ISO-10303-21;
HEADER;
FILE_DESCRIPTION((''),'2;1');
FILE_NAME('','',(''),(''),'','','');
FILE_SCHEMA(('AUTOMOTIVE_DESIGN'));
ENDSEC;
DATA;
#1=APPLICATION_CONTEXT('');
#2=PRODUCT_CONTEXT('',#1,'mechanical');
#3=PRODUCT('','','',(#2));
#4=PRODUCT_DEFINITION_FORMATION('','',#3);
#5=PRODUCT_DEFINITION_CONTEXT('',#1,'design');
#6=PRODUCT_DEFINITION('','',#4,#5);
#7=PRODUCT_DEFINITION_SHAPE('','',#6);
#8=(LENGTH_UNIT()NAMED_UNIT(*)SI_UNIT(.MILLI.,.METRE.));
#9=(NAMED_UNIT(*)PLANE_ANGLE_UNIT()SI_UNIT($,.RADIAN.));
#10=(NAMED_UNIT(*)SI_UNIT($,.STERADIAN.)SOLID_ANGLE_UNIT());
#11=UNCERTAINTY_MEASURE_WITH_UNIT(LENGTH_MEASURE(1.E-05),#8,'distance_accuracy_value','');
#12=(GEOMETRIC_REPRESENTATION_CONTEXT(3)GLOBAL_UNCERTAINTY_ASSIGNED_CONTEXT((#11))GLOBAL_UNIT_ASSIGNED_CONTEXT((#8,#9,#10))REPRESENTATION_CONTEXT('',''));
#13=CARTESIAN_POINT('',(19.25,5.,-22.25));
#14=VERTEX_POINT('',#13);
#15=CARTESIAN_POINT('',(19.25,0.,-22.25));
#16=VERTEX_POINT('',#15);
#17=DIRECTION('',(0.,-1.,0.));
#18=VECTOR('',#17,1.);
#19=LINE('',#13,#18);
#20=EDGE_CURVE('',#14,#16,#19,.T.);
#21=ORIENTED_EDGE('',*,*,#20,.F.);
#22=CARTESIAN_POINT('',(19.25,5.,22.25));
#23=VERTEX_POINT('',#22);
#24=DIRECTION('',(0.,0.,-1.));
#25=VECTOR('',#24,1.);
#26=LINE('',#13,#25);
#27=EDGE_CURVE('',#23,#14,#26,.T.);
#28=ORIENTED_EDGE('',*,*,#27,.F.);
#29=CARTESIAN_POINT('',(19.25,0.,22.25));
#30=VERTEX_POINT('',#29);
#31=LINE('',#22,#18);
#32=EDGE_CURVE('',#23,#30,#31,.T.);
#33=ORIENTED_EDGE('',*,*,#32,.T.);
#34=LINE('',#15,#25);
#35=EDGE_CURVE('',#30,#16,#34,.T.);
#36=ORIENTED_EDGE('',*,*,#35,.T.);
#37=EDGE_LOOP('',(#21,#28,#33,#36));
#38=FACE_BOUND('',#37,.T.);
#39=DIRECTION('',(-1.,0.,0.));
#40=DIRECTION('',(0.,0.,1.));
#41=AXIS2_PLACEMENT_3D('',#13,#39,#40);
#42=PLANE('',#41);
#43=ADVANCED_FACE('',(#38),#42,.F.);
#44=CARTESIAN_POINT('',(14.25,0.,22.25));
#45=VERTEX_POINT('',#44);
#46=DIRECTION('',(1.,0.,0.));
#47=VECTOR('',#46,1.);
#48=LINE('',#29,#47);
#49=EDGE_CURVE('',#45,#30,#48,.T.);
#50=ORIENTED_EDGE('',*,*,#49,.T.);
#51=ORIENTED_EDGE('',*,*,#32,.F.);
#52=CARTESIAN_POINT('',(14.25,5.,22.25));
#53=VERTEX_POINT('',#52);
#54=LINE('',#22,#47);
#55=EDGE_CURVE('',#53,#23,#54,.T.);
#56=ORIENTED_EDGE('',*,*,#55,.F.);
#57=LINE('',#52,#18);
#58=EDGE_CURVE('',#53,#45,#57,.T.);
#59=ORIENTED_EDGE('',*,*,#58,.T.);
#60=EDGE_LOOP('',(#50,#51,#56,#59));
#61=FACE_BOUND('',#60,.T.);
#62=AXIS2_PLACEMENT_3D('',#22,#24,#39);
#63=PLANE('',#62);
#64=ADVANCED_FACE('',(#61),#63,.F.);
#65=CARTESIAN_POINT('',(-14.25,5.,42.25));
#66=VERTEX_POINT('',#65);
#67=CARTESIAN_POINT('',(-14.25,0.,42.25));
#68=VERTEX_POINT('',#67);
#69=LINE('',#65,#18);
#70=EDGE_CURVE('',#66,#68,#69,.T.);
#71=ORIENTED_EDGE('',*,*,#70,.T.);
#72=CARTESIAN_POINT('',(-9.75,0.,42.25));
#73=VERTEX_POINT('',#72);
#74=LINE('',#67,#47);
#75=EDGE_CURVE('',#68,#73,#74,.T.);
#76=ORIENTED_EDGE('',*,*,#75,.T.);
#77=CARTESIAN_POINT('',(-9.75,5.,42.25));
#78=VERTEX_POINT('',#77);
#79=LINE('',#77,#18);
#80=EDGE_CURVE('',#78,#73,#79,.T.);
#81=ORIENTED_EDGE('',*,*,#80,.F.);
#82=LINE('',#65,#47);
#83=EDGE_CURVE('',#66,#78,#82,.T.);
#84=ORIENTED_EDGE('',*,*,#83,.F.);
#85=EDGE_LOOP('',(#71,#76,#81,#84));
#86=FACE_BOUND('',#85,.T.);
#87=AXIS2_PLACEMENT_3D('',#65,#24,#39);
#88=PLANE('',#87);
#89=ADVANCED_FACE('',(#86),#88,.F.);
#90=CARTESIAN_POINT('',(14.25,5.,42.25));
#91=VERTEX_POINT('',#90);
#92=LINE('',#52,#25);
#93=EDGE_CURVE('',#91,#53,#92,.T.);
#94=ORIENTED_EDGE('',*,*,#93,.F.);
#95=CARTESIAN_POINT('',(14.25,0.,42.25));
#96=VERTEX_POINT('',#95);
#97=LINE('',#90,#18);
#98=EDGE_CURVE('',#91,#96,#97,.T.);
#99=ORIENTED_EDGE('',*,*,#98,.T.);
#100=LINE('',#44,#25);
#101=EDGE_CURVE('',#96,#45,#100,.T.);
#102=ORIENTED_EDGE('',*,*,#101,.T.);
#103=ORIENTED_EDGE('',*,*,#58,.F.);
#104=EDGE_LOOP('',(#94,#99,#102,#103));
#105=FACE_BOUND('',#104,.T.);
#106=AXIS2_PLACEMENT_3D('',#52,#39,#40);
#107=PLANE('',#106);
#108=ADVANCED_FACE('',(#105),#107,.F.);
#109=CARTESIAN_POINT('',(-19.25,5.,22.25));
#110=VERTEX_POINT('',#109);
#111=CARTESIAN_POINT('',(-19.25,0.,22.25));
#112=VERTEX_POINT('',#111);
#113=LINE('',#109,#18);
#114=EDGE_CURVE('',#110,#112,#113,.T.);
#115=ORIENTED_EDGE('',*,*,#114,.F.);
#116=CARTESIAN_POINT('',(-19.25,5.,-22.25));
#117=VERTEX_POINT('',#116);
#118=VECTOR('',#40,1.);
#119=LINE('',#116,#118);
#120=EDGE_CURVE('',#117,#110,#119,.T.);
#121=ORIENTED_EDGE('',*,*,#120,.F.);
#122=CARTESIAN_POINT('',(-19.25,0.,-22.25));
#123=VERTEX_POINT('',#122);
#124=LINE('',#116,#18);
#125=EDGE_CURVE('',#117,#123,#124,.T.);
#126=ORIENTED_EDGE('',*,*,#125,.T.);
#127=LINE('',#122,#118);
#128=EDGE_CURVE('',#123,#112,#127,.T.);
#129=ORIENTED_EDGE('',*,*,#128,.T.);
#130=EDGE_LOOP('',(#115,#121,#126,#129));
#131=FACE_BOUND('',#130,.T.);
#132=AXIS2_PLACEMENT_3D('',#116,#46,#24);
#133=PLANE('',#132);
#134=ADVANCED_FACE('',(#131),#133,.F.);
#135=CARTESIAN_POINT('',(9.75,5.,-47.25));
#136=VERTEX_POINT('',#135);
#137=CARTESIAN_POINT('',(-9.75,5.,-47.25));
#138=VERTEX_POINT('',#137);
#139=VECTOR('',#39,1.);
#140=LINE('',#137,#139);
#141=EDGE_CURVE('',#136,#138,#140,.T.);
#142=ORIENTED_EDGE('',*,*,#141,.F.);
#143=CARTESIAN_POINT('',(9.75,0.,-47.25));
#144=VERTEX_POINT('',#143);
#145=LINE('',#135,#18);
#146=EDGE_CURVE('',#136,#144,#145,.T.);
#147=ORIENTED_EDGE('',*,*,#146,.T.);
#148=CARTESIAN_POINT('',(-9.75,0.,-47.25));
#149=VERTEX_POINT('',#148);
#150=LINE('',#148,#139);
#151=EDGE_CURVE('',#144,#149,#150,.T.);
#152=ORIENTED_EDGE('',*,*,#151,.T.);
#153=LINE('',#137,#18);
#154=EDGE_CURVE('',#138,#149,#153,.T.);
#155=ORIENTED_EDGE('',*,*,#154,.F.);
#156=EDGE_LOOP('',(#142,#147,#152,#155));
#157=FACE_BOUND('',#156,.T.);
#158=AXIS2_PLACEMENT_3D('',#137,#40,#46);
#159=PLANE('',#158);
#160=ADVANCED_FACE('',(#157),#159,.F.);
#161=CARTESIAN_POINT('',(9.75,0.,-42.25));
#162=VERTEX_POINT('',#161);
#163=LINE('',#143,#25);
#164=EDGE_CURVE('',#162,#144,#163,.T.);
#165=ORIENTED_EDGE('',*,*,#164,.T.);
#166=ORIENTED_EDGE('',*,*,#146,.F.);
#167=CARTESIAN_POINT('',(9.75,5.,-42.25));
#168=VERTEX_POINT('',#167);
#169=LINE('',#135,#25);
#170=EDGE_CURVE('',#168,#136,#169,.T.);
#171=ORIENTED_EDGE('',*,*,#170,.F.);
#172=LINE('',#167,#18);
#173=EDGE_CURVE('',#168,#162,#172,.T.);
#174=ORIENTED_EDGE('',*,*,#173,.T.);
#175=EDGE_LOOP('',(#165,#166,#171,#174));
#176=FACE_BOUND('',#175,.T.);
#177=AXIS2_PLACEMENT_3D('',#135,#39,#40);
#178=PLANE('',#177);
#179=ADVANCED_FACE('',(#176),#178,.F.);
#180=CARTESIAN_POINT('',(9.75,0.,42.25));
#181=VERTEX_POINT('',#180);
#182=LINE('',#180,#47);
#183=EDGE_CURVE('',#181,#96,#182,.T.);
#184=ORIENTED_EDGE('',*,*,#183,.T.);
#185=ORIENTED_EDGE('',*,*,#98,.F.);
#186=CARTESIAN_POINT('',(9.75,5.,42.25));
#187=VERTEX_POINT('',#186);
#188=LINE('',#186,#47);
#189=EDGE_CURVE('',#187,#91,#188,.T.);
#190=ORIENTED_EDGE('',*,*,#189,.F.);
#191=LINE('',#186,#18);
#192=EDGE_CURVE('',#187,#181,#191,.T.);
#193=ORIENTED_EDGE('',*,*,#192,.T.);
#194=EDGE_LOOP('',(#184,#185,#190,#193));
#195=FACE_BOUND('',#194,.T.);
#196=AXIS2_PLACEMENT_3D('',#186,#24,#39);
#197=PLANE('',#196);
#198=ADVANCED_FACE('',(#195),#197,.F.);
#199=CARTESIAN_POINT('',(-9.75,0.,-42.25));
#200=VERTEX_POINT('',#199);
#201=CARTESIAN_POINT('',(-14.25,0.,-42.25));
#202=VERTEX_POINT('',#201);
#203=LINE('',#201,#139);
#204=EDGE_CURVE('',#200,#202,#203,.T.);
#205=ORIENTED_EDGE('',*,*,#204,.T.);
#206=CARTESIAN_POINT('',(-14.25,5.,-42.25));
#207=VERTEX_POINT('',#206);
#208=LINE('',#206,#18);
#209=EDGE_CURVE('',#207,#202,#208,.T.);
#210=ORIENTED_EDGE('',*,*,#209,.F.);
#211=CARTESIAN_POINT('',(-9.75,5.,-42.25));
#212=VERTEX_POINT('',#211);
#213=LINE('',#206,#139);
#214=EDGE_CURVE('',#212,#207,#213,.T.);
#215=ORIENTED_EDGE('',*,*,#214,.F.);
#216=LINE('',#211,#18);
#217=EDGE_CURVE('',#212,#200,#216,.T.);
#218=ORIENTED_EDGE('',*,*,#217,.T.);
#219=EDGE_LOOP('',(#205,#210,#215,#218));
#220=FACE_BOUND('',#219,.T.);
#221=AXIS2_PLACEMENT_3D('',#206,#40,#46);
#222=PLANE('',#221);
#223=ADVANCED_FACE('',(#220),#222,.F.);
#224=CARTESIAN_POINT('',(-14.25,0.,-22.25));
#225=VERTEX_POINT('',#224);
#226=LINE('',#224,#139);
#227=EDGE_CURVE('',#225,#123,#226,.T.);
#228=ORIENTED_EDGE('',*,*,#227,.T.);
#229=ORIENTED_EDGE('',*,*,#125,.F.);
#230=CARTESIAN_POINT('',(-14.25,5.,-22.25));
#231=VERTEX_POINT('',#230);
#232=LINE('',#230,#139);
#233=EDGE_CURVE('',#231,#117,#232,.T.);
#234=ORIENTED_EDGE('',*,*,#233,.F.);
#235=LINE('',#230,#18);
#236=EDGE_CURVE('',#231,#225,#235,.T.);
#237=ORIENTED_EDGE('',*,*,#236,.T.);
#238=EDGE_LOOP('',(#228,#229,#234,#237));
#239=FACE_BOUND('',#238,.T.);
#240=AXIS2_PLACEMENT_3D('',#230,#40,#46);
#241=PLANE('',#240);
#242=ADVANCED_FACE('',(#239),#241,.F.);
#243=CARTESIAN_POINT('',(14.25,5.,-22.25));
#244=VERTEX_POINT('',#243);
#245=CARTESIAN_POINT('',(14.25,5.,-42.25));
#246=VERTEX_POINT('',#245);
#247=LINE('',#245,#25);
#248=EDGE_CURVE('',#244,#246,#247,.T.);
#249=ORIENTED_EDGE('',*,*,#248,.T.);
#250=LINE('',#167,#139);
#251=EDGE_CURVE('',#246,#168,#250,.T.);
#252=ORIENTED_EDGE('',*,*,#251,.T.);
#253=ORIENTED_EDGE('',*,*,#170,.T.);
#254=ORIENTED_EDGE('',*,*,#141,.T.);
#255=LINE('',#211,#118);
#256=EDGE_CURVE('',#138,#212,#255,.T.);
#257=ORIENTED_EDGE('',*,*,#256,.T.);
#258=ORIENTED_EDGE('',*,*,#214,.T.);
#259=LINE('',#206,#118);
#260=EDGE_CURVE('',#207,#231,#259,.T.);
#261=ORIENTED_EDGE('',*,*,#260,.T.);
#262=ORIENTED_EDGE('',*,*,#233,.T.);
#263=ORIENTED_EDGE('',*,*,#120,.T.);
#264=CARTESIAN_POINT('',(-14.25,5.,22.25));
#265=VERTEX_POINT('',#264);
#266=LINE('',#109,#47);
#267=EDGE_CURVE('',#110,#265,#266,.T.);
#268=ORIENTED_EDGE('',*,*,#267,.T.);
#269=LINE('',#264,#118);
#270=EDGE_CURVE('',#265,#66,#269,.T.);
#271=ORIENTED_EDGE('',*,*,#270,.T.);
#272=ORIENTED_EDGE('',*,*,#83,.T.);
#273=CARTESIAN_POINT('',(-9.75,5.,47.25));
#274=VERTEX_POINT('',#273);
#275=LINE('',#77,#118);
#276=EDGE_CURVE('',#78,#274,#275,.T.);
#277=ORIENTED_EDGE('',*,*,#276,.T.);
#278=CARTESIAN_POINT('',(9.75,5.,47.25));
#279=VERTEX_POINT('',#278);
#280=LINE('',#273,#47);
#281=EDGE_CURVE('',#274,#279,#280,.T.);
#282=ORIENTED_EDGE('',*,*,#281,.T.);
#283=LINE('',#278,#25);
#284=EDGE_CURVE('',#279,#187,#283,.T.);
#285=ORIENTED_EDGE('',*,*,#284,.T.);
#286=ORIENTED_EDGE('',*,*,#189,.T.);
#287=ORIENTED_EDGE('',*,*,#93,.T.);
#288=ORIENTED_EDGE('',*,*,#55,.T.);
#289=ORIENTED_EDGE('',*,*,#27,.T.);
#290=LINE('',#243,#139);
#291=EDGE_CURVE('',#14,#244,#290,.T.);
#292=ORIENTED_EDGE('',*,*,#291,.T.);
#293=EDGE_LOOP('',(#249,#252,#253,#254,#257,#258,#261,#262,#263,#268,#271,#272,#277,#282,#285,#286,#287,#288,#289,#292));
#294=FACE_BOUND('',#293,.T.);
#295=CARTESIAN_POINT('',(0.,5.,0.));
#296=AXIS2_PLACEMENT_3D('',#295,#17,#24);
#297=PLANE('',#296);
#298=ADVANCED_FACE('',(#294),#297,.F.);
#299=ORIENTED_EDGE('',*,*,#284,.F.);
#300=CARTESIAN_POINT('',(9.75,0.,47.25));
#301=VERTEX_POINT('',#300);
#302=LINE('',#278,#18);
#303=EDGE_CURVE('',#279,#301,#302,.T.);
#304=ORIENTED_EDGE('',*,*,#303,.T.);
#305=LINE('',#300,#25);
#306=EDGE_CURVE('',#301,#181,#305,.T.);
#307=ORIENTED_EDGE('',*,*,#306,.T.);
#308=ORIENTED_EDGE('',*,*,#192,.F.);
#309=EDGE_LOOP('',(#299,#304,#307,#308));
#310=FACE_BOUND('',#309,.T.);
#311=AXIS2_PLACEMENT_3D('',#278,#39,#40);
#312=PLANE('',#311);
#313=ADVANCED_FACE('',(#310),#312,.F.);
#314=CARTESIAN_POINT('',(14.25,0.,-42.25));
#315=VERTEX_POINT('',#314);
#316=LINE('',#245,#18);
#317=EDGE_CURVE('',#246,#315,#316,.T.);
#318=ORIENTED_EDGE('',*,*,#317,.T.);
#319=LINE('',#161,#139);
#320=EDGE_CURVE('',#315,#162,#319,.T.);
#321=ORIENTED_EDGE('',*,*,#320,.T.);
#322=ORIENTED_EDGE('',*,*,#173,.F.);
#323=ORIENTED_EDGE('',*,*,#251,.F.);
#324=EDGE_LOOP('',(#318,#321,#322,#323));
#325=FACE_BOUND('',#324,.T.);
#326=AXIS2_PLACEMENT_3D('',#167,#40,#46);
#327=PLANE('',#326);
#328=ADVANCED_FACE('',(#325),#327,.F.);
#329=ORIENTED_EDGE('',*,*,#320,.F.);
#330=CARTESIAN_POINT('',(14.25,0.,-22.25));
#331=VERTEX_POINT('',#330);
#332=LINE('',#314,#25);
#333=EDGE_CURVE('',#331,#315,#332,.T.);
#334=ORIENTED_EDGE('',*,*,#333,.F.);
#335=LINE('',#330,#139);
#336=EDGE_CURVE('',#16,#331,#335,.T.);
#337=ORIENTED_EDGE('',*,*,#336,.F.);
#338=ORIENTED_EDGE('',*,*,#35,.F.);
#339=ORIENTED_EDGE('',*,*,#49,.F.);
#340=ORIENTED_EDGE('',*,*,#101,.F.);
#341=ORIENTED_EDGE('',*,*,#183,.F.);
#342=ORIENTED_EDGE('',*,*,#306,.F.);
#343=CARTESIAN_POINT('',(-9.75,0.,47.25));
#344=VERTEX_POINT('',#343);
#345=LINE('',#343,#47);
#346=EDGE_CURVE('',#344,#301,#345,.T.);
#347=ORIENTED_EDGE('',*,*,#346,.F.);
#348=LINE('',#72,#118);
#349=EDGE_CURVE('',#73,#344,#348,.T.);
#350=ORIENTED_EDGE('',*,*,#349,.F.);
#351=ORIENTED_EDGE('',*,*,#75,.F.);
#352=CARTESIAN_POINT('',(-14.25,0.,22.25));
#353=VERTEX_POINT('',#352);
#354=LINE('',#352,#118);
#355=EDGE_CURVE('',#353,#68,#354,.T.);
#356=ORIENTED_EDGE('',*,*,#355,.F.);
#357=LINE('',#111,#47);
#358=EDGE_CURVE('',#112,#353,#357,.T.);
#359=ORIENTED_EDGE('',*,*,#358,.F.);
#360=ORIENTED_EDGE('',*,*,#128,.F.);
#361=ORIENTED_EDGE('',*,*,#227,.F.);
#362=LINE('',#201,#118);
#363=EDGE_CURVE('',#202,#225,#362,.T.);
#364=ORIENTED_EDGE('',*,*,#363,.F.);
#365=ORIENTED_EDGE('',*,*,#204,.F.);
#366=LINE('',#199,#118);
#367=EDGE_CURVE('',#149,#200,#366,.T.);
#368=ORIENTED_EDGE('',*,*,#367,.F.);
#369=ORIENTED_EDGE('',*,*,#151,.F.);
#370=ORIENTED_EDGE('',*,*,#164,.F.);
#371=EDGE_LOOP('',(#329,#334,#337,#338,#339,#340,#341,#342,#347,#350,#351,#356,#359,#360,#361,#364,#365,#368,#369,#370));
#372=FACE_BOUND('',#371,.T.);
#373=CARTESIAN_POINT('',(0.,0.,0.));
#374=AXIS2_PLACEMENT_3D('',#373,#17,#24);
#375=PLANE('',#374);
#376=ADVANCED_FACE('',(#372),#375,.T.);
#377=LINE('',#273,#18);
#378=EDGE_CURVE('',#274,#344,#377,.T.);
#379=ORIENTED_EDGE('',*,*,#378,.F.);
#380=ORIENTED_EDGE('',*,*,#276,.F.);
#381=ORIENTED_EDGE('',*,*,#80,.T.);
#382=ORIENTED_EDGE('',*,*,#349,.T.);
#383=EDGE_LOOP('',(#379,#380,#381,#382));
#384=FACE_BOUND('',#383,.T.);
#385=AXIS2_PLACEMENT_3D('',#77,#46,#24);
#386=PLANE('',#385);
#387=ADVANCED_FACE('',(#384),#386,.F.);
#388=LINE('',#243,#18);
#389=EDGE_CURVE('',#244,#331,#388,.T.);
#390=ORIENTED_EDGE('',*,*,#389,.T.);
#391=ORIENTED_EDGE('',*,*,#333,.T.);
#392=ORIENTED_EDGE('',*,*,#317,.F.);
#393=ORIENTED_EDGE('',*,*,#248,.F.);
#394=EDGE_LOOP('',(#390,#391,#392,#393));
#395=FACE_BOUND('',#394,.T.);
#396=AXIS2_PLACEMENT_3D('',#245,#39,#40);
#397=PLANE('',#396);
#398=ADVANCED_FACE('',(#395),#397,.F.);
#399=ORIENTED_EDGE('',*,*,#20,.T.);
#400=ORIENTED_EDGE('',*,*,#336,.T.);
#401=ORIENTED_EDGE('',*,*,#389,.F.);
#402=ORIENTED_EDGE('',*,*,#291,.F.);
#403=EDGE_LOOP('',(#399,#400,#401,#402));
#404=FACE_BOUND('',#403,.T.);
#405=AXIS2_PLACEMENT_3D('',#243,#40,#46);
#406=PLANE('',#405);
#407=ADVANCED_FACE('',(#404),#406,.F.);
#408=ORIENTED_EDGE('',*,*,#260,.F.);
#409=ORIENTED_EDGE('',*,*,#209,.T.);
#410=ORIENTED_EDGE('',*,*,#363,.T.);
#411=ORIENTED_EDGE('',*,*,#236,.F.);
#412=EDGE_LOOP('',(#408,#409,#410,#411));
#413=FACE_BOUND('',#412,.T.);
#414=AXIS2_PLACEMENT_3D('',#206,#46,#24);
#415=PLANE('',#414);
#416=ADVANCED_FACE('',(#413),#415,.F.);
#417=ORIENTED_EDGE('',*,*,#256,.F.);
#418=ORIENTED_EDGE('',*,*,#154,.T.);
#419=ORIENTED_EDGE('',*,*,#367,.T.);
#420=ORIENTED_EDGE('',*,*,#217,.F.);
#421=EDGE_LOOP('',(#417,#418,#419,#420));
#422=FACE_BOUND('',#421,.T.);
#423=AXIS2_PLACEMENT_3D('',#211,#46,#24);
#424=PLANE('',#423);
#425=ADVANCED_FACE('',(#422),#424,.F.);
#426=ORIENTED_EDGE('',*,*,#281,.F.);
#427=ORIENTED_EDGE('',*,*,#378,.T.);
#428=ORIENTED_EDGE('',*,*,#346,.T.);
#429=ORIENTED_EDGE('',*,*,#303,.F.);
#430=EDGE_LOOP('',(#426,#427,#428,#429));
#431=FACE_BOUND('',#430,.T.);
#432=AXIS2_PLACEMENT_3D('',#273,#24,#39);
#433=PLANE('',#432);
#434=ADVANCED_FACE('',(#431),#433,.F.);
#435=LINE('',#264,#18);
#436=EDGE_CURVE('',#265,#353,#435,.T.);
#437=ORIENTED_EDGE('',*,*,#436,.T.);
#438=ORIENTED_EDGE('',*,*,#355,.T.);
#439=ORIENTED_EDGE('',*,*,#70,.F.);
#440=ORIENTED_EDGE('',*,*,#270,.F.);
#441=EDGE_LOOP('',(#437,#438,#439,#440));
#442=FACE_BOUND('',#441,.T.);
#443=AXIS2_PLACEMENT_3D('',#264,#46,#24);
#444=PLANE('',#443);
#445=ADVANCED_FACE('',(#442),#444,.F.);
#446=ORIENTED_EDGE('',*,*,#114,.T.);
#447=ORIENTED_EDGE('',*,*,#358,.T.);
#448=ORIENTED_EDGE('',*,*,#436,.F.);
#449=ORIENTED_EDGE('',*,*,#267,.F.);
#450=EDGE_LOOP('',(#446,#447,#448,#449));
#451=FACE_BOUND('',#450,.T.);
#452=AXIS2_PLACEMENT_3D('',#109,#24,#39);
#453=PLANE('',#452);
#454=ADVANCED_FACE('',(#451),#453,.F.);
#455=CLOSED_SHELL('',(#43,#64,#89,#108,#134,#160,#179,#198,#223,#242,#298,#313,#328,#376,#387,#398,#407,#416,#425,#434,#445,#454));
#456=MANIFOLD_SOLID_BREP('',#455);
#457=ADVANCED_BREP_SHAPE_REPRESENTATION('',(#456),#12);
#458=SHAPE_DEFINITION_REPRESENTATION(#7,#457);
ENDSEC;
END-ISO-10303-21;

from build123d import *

# Parameters (mm, degrees)
BOSS_EXTRUDE1_DEPTH = 5


with BuildPart() as part:
    # Sketch1 → Boss-Extrude1 (new body)
    with BuildSketch(Plane(origin=(0, 0, 0), x_dir=(1, 0, 0), z_dir=(0, 1, 0))):
        Polygon((-14.25, 42.25), (-9.75, 42.25), (-9.75, 47.25), (9.75, 47.25), (9.75, 42.25), (14.25, 42.25), (14.25, 22.25), (19.25, 22.25), (19.25, -22.25), (14.25, -22.25), (14.25, -42.25), (9.75, -42.25), (9.75, -47.25), (-9.75, -47.25), (-9.75, -42.25), (-14.25, -42.25), (-14.25, -22.25), (-19.25, -22.25), (-19.25, 22.25), (-14.25, 22.25), align=None)
    extrude(amount=BOSS_EXTRUDE1_DEPTH)


solid = part.part
